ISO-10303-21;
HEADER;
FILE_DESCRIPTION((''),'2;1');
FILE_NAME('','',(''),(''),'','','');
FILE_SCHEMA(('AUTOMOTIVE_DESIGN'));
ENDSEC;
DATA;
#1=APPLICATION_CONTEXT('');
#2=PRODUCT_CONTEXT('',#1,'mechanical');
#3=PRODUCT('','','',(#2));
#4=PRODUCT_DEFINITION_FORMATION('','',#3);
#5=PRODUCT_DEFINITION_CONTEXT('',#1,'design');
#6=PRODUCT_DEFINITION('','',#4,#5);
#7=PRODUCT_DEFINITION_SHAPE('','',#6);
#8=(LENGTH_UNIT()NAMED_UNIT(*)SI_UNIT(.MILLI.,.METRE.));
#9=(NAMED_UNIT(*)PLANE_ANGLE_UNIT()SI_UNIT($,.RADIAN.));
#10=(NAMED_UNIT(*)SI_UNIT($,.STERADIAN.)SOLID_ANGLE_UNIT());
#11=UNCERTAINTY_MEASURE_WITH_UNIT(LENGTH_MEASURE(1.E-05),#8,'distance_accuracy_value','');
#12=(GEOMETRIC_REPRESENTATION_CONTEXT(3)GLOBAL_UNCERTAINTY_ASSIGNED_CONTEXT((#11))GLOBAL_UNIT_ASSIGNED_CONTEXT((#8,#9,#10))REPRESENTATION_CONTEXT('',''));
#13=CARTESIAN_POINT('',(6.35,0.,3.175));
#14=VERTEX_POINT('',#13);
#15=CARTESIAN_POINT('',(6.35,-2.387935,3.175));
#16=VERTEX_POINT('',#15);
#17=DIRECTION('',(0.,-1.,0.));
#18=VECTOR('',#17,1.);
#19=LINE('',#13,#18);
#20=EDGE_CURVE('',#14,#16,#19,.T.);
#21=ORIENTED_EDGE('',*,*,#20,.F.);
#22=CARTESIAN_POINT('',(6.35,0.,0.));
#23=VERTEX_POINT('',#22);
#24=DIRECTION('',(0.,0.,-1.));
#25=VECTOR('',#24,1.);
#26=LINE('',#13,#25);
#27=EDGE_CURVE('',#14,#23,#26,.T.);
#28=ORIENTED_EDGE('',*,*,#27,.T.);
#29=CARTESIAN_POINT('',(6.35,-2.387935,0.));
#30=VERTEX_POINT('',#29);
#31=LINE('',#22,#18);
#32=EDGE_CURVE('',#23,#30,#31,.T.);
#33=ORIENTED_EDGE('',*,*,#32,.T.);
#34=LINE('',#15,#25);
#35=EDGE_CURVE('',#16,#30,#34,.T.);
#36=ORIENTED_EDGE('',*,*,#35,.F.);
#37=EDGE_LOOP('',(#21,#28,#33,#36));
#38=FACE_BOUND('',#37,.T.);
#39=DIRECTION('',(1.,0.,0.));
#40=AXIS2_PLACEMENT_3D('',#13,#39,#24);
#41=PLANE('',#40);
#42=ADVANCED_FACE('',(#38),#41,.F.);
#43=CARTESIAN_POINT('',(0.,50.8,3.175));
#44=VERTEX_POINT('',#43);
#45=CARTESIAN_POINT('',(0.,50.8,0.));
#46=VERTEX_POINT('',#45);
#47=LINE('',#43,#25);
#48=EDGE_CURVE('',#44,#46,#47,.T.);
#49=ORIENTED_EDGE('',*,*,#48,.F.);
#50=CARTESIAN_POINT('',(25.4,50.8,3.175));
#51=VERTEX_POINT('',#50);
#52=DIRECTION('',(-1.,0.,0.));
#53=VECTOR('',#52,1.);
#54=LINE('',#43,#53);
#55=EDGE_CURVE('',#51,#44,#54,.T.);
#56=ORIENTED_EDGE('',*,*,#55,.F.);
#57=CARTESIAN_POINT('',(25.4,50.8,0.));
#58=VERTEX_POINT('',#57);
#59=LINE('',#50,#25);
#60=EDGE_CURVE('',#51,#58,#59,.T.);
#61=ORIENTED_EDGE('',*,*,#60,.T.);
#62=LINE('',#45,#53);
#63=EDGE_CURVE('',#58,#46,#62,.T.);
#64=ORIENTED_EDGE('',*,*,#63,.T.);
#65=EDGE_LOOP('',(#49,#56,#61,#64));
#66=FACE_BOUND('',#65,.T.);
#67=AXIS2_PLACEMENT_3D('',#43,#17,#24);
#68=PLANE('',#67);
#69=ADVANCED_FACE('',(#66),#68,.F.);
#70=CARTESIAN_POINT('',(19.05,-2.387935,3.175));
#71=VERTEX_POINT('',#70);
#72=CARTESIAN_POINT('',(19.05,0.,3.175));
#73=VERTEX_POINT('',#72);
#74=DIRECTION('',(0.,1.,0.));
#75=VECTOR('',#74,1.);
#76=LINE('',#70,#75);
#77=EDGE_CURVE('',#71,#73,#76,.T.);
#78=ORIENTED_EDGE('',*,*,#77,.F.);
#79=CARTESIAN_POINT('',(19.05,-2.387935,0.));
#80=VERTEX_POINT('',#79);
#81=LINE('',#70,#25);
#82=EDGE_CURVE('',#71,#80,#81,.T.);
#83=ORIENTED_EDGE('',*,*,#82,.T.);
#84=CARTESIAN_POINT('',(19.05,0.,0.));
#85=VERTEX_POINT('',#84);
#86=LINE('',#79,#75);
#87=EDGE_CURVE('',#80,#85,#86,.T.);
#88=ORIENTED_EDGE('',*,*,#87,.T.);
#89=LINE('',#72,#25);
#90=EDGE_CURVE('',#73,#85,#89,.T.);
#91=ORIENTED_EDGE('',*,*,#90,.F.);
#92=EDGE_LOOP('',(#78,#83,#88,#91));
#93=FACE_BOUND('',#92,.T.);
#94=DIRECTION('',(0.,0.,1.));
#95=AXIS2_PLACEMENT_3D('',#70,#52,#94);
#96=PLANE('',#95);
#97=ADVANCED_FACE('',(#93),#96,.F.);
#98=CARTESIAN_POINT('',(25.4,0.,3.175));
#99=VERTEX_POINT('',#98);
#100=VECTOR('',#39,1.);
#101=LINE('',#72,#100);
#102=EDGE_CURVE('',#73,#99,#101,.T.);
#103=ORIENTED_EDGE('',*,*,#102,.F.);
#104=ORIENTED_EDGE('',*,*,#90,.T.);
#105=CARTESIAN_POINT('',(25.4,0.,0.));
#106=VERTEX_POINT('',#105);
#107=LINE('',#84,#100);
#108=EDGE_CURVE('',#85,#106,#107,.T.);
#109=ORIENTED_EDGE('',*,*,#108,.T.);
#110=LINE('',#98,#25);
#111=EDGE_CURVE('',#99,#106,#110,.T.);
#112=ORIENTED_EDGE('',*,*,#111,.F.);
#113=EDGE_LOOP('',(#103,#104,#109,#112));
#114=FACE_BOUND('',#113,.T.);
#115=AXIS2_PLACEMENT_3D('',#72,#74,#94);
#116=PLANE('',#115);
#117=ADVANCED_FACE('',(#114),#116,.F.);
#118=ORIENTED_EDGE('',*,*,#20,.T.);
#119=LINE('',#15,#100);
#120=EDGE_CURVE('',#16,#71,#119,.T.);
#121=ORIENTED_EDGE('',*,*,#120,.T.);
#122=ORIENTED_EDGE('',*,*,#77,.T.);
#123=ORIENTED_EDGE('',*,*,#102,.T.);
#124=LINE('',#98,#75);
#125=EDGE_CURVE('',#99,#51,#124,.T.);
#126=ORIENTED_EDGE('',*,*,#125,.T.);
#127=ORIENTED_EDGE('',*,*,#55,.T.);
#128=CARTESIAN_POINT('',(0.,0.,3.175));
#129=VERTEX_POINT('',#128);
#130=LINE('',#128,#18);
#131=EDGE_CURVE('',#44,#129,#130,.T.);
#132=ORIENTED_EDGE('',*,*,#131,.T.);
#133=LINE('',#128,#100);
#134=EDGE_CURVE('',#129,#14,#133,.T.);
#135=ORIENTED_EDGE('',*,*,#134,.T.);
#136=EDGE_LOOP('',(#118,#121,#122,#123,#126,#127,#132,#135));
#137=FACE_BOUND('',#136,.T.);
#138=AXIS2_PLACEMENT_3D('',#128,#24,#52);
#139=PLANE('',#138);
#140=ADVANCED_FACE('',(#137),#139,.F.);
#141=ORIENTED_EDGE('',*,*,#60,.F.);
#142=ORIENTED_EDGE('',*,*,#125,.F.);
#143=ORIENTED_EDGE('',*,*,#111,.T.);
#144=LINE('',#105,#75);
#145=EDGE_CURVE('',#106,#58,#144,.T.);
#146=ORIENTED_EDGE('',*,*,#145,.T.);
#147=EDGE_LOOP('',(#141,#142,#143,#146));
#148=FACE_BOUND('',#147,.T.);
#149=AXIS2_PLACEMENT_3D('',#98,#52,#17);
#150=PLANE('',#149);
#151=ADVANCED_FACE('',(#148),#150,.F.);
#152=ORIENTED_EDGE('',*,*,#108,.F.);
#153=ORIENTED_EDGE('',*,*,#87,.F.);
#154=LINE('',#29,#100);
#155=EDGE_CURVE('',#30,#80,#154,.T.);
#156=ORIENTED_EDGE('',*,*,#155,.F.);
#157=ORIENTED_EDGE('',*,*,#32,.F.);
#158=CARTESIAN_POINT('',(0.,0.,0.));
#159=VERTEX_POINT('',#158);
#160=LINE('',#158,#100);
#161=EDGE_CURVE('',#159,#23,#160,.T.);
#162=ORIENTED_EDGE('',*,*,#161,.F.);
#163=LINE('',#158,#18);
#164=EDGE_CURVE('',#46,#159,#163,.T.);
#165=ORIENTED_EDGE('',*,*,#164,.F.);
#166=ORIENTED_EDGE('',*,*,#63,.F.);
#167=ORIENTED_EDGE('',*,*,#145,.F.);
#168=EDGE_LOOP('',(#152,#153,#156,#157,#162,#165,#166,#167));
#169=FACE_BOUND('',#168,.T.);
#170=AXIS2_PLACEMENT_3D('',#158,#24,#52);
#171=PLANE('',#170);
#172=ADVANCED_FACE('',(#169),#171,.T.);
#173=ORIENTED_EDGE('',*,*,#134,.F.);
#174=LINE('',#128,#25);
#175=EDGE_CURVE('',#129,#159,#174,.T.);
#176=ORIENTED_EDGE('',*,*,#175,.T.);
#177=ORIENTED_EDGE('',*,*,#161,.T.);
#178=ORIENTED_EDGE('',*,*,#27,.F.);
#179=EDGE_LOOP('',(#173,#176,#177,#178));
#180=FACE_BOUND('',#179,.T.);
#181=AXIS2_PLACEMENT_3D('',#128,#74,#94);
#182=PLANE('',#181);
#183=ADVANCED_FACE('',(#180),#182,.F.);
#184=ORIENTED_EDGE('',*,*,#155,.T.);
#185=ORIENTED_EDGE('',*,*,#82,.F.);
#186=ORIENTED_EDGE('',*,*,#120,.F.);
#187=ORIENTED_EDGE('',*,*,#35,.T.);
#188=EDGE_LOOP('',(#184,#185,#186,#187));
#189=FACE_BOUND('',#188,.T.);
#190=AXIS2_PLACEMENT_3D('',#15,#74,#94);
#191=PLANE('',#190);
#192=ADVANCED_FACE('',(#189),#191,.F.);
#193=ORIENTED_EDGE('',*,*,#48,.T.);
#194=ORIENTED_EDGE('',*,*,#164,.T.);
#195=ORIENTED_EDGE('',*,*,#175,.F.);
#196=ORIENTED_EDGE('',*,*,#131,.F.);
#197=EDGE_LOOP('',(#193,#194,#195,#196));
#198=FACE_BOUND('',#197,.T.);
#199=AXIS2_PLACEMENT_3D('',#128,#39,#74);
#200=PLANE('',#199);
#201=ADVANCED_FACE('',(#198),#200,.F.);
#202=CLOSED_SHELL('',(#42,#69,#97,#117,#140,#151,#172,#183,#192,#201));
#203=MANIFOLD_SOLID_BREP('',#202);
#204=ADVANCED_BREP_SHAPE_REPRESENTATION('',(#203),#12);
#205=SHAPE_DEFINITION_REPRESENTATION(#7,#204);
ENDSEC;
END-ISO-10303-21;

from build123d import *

# Parameters (mm, degrees)
BOSS_EXTRUDE1_DEPTH = 3.175


with BuildPart() as part:
    # Sketch1 → Boss-Extrude1 (new body)
    with BuildSketch(Plane.XY):
        Polygon((6.35, 0), (6.35, -2.387934918), (19.05, -2.387934918), (19.05, 0), (25.4, 0), (25.4, 50.8), (0, 50.8), (0, 0), align=None)
    extrude(amount=BOSS_EXTRUDE1_DEPTH)


solid = part.part
